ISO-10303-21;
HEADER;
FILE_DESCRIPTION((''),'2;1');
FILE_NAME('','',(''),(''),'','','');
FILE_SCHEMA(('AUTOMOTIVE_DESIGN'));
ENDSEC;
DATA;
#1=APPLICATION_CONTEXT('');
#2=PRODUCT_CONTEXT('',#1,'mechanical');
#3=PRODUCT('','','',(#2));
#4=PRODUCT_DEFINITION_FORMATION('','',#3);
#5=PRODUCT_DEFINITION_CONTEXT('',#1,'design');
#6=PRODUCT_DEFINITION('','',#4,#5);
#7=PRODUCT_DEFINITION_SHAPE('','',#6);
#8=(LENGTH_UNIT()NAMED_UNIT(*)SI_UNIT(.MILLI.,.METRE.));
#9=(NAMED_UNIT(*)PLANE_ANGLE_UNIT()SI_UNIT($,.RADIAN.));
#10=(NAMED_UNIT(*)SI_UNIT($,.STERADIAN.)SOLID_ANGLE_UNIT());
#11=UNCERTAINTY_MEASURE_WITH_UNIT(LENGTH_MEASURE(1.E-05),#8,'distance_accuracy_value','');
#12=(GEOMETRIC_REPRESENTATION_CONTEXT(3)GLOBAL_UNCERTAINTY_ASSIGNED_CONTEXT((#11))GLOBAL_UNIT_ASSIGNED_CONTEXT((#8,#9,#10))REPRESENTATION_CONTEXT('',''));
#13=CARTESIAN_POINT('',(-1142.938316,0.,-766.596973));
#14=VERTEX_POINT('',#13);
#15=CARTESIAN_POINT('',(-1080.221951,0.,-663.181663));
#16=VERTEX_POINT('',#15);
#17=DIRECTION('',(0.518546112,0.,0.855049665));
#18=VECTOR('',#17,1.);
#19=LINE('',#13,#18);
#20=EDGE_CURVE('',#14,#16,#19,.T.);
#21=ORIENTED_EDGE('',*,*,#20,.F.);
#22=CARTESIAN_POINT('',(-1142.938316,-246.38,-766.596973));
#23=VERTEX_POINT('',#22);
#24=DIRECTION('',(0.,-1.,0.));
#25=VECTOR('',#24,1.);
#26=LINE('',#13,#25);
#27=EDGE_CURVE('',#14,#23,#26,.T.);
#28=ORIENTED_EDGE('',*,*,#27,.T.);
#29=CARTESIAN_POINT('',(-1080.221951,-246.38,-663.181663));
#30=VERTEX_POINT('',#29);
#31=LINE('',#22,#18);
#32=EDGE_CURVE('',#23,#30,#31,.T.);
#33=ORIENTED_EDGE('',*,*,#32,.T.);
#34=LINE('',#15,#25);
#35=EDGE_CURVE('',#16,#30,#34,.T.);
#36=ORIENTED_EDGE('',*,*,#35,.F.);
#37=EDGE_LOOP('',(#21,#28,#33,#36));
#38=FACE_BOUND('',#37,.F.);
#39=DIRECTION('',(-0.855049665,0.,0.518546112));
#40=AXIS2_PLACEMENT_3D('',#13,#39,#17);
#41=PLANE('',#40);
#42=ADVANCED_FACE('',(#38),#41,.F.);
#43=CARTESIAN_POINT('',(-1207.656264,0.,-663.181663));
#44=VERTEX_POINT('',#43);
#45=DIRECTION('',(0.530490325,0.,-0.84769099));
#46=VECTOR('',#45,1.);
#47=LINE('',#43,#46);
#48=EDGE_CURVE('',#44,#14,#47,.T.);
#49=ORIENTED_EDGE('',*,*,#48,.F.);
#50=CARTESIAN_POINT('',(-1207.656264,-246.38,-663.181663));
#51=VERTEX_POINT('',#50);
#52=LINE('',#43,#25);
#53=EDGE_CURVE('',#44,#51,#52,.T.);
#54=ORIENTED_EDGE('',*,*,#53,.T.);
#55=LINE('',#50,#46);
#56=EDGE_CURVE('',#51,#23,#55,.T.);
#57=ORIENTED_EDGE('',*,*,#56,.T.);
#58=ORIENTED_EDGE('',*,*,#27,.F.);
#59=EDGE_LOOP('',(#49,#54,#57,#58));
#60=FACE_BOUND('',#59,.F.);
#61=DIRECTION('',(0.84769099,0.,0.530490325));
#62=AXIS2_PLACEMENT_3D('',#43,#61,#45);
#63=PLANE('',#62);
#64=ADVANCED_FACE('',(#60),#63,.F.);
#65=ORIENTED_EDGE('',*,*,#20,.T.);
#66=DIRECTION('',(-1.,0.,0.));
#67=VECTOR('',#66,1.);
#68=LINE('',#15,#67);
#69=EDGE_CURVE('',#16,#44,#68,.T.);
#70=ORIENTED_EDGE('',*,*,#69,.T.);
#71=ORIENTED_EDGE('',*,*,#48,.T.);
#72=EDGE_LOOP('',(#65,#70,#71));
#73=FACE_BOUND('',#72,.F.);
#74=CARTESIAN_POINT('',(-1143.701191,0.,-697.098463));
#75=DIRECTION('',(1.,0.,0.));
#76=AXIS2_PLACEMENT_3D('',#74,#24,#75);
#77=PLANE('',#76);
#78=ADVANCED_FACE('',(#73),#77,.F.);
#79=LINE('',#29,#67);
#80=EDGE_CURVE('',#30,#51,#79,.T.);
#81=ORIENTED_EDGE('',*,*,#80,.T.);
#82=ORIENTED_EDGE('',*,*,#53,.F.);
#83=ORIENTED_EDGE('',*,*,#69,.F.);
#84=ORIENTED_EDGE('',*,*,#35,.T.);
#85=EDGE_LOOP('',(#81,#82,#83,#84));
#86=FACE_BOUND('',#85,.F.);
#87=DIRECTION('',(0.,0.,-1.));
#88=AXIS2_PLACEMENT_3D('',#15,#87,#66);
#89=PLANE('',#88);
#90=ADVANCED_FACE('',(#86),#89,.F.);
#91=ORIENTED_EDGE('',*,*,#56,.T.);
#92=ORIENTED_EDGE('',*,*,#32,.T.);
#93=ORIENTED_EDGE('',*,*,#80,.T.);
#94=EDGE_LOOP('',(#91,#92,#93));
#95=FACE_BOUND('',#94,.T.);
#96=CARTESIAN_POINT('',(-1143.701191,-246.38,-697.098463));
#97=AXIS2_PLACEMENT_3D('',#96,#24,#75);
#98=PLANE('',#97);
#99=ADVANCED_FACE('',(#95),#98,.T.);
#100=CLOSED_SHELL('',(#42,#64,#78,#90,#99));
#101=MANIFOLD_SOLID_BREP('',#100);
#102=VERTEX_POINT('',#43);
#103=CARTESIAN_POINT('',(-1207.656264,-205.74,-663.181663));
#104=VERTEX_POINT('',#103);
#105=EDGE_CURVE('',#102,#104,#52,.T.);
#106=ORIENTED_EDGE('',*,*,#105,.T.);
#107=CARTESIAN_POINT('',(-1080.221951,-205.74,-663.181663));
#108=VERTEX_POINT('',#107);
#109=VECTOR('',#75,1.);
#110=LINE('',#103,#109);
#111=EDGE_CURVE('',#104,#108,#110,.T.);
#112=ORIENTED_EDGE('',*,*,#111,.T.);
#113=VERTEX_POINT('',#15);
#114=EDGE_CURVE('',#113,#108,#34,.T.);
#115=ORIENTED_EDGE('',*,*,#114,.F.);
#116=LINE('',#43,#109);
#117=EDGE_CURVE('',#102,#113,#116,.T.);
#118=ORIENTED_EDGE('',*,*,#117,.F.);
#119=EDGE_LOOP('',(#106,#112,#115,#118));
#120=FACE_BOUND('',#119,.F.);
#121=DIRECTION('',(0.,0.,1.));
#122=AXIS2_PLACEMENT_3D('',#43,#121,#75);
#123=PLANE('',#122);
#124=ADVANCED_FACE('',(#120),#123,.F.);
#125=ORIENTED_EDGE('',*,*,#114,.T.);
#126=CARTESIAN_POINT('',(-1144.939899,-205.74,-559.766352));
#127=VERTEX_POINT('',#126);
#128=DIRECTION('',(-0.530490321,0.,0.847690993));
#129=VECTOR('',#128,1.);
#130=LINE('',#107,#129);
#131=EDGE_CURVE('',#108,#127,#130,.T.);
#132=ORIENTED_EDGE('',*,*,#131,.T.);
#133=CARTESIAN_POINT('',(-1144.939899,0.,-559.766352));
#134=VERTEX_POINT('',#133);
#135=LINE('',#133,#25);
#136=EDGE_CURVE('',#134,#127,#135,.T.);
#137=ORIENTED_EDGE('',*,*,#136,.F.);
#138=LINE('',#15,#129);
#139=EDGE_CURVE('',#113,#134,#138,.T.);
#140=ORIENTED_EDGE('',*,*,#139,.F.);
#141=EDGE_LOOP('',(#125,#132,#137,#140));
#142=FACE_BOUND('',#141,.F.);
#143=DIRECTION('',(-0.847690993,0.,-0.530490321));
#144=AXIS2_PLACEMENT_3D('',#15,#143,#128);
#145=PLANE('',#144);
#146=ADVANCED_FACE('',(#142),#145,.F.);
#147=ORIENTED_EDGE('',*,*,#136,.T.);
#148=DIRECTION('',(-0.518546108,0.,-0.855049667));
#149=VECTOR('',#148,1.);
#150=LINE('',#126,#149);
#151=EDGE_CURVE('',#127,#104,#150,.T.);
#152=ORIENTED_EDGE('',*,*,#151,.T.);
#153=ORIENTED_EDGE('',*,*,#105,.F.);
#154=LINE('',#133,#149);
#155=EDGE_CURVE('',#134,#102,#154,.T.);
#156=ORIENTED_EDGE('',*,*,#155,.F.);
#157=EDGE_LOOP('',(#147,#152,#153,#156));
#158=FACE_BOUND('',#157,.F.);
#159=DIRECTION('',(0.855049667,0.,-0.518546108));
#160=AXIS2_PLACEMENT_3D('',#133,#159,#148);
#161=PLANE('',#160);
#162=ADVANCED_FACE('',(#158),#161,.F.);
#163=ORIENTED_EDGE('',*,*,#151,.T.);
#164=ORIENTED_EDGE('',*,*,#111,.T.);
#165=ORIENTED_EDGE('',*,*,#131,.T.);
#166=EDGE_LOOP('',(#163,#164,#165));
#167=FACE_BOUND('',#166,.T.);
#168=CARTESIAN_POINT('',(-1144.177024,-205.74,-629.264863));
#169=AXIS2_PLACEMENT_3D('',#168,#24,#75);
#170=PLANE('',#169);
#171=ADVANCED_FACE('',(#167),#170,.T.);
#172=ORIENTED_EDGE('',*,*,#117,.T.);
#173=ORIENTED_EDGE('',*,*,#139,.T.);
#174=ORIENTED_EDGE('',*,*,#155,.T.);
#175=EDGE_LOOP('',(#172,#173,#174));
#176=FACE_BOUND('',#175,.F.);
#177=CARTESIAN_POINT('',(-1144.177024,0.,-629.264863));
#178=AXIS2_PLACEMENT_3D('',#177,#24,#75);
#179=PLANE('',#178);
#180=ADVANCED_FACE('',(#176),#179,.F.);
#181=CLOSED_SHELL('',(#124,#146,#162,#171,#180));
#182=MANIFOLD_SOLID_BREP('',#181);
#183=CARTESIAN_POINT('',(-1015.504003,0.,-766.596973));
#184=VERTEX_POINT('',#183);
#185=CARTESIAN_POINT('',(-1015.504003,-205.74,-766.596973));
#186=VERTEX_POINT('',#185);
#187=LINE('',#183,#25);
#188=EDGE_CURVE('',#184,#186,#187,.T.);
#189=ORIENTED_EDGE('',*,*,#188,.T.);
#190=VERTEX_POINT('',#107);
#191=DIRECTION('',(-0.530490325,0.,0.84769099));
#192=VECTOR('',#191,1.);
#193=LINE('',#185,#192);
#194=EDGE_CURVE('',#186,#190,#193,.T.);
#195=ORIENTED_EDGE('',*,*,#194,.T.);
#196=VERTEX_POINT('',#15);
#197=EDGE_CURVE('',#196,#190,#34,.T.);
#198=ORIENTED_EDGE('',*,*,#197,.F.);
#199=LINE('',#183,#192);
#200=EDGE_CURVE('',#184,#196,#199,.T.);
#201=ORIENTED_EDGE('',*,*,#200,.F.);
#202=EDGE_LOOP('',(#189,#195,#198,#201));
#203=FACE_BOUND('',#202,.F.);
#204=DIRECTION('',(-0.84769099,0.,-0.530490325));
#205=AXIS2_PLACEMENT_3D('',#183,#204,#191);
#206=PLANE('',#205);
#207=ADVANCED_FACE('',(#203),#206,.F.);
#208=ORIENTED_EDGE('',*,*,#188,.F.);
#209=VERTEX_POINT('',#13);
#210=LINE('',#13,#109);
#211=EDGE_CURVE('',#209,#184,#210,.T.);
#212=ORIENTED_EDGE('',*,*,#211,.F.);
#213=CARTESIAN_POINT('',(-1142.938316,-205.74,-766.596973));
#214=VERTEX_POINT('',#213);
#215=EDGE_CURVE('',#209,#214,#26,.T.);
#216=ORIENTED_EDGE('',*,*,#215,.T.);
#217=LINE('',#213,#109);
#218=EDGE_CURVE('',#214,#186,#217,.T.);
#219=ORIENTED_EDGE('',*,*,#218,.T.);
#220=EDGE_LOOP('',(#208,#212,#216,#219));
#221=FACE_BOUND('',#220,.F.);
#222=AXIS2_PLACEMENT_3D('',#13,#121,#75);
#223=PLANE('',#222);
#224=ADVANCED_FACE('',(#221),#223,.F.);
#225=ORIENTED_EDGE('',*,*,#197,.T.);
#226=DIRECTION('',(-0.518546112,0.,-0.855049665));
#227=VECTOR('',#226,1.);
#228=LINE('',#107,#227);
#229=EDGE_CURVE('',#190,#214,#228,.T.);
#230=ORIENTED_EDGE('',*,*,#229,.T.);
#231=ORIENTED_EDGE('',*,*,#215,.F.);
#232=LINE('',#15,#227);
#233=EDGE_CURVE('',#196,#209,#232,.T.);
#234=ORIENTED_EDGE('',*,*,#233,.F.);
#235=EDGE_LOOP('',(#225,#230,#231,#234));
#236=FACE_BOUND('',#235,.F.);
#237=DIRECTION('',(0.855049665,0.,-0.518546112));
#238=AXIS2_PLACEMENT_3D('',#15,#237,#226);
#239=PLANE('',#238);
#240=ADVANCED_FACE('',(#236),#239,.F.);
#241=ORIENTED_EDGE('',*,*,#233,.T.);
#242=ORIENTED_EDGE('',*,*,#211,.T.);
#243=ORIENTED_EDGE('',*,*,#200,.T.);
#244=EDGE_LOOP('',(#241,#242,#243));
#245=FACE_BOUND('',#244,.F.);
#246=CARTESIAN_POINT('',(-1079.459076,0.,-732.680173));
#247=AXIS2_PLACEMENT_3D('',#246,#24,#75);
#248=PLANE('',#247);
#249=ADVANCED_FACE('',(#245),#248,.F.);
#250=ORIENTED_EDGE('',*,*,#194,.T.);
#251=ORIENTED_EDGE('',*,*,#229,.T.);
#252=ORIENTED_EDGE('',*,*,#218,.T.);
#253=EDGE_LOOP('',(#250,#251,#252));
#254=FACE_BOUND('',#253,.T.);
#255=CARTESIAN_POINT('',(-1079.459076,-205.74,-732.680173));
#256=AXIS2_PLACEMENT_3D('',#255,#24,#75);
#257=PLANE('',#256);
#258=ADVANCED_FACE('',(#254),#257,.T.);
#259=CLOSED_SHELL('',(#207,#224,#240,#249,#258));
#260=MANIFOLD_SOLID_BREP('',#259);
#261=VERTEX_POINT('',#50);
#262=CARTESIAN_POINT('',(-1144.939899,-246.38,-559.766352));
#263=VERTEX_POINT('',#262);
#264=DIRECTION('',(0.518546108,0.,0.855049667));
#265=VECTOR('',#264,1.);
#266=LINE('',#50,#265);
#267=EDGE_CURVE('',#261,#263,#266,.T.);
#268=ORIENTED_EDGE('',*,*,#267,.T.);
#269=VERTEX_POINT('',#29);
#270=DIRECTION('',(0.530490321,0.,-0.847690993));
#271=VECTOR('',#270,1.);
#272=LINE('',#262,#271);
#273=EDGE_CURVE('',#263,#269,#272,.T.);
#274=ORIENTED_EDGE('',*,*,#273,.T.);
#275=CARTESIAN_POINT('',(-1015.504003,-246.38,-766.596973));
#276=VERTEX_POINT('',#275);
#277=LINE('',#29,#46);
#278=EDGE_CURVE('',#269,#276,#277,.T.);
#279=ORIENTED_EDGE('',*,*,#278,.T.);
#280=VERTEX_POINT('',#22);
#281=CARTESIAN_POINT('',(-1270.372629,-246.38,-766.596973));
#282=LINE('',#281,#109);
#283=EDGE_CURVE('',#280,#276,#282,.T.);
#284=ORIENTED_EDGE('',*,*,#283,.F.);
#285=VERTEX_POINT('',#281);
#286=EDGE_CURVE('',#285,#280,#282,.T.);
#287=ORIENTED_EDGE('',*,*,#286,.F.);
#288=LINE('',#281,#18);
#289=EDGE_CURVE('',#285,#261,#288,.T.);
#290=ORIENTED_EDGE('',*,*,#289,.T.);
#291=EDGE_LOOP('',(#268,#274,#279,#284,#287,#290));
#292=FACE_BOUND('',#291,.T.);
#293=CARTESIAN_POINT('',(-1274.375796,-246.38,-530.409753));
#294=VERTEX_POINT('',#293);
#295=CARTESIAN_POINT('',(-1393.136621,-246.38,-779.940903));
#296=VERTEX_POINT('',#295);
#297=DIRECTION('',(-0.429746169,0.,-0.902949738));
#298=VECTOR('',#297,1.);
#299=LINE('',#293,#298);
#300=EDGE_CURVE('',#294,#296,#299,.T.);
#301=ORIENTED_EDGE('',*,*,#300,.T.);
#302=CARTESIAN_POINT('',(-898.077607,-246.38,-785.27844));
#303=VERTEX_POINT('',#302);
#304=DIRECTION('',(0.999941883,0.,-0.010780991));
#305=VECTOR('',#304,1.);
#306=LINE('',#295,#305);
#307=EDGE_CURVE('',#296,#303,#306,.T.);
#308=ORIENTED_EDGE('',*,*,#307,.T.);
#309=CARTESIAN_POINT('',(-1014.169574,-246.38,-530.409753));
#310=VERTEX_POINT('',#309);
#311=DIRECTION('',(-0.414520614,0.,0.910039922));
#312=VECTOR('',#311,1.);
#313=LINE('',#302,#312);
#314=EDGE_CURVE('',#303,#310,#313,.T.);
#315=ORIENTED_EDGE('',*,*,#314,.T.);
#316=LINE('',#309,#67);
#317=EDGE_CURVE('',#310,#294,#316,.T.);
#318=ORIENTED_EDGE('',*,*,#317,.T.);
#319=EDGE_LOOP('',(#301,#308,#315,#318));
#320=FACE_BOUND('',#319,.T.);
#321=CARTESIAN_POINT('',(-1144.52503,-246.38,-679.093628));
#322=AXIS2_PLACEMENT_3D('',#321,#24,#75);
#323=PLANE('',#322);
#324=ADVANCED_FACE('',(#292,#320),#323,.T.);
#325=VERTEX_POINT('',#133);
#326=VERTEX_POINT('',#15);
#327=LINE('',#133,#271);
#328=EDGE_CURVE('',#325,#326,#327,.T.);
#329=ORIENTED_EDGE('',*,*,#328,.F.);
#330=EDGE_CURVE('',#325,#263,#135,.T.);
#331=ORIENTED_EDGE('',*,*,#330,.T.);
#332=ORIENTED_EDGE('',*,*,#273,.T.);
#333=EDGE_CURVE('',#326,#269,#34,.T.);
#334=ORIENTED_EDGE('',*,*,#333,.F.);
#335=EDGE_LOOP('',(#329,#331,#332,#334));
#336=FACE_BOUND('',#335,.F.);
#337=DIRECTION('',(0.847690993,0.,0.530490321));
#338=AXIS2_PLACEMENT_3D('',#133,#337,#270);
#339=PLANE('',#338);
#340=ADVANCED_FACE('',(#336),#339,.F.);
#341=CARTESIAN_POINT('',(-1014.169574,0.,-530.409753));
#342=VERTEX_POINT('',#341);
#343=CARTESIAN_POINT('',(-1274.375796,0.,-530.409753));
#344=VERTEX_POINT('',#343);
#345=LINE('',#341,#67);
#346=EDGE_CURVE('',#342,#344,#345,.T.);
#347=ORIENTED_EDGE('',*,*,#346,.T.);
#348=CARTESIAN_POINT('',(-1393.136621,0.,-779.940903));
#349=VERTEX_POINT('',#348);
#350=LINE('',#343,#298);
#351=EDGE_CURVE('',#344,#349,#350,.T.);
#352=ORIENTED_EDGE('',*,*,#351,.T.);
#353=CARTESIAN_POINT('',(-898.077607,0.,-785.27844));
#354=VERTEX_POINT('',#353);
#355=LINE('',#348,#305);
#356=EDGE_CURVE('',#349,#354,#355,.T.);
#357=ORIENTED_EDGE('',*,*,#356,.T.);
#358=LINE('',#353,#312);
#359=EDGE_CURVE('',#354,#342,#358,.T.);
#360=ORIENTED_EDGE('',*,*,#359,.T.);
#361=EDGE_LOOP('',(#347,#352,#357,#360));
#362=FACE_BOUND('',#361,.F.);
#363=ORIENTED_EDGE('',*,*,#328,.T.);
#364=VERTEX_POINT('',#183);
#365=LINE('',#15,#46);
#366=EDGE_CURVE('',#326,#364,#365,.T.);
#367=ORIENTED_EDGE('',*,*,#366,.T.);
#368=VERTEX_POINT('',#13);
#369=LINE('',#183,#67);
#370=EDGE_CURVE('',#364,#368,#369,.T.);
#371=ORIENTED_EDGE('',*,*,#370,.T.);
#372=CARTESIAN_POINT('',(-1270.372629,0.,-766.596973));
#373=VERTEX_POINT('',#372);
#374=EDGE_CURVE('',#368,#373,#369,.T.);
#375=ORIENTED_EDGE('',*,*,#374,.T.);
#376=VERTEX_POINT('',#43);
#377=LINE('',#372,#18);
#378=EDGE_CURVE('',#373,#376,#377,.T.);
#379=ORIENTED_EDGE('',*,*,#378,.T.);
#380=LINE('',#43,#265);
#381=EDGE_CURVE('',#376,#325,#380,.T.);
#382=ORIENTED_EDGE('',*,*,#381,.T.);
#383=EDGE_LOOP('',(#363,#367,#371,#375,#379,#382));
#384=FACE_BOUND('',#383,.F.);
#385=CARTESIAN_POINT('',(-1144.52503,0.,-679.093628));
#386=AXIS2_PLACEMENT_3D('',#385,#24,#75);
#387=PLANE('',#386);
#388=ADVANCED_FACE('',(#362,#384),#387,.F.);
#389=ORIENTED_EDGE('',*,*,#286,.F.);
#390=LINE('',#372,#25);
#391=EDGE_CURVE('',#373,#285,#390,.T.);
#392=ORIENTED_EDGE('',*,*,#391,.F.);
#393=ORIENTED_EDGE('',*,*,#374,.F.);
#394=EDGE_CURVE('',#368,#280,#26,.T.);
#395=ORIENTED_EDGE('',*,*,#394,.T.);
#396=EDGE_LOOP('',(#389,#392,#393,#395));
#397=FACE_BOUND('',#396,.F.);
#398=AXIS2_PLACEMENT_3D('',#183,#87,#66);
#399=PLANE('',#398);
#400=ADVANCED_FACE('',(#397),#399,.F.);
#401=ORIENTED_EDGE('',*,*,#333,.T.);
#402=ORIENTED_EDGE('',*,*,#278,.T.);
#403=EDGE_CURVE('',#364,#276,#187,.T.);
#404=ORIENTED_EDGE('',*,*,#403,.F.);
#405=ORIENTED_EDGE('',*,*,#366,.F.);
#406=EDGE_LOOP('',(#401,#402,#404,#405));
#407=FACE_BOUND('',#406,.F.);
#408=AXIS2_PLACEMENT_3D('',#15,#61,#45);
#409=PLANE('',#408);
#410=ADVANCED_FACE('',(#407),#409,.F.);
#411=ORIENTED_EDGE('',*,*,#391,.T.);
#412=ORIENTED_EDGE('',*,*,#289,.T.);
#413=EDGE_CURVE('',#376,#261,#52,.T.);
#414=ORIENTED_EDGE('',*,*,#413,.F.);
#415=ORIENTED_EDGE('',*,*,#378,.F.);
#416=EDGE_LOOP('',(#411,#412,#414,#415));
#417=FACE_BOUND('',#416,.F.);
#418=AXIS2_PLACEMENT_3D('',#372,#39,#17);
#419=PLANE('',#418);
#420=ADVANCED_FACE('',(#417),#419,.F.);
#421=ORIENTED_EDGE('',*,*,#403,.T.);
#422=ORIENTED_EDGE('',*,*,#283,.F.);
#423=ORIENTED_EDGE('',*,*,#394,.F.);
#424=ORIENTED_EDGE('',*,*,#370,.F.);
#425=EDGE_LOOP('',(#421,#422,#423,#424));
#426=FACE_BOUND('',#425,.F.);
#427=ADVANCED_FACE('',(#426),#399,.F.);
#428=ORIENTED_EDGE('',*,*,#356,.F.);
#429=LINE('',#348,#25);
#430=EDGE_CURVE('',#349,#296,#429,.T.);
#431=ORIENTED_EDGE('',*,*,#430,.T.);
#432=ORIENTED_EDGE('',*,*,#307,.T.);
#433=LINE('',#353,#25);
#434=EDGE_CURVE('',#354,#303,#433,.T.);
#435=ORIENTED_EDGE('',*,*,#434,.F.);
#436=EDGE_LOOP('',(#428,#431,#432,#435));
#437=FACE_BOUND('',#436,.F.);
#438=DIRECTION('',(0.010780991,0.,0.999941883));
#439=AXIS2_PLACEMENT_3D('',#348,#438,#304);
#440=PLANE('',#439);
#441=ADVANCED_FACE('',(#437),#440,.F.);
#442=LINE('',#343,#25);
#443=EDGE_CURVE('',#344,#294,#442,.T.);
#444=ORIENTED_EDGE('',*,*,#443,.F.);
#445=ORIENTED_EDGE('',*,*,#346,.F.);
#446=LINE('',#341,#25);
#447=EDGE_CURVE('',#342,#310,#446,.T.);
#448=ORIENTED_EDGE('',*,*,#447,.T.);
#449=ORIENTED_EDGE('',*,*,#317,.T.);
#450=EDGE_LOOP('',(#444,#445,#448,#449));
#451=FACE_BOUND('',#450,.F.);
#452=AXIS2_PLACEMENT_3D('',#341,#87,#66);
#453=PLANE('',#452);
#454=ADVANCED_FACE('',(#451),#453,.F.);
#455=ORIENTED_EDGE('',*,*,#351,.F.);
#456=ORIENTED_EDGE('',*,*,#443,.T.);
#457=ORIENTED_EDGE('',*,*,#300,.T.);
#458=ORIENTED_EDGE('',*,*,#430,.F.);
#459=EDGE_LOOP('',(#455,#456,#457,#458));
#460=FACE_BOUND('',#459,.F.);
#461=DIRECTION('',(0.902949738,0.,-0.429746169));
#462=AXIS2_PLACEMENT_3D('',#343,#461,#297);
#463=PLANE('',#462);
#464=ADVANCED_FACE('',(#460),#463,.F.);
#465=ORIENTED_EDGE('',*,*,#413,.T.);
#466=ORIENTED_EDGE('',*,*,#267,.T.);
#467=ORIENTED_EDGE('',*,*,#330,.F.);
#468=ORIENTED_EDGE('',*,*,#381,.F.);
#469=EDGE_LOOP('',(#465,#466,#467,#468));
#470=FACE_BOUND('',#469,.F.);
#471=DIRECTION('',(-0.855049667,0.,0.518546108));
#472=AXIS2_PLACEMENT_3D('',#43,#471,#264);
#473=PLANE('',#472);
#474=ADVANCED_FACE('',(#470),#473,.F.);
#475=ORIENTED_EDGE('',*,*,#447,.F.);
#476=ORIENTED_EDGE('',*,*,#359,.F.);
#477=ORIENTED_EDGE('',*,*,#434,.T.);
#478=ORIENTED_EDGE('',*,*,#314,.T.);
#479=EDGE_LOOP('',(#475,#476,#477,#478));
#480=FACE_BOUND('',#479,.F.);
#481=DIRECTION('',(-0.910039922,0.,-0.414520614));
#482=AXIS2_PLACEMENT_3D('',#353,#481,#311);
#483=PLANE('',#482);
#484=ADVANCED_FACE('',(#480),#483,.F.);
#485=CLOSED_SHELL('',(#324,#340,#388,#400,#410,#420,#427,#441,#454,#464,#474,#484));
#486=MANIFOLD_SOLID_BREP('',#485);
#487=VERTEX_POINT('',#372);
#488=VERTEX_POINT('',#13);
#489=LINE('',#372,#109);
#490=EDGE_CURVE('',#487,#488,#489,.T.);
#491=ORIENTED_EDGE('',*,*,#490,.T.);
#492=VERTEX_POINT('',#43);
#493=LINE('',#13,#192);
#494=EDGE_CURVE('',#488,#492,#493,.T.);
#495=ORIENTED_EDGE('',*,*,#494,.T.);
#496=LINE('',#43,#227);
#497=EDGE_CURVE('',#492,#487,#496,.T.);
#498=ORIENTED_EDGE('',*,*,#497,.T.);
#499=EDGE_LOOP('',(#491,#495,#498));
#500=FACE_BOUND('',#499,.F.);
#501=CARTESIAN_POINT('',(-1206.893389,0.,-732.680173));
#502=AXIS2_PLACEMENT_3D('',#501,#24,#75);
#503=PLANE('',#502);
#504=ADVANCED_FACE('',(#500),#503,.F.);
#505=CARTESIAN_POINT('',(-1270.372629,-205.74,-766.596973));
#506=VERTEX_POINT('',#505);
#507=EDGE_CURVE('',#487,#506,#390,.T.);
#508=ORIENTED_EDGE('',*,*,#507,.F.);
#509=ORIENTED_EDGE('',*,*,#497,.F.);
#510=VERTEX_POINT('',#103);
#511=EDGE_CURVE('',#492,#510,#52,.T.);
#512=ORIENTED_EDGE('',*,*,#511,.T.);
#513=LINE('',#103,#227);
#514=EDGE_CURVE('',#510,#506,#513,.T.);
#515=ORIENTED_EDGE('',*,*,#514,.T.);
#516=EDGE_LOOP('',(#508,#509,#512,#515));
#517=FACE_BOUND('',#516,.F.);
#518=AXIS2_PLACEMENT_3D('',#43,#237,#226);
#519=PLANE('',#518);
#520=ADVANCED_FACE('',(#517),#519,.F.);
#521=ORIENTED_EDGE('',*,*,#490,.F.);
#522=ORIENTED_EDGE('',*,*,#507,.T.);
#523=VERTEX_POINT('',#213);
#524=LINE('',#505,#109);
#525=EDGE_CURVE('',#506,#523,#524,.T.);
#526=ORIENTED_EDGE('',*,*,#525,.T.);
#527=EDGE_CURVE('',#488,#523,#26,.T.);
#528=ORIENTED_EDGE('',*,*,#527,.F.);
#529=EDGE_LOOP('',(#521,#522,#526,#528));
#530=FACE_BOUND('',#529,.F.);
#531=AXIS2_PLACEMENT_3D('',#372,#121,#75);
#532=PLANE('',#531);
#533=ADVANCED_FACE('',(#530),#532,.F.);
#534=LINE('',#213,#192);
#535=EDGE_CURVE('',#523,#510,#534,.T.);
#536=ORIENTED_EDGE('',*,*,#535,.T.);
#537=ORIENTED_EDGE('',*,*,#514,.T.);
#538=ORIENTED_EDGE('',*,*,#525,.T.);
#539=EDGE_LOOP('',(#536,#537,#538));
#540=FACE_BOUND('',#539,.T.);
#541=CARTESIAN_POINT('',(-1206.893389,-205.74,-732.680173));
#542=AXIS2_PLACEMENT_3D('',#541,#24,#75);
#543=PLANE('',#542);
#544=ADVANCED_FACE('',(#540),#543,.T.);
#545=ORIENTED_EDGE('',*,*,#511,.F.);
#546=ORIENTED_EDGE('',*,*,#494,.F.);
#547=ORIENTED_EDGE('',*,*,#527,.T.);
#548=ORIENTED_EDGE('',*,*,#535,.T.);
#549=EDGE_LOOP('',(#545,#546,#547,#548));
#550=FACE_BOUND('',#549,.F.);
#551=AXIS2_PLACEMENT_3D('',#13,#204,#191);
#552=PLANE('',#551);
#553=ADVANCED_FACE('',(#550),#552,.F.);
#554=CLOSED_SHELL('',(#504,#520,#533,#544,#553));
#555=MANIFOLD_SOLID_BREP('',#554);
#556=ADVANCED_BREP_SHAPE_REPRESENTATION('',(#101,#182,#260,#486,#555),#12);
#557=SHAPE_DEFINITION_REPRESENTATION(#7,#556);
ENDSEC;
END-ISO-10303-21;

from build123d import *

# Parameters (mm, degrees)
F1_DEPTH = 246.38
F2_DEPTH = 205.74


with BuildPart() as f1:
    # F0 (on Front) → F1 (new body)
    with BuildSketch(Plane.XZ):
        Polygon((-1274.375796, -530.409753), (-1393.136621, -779.940903), (-898.077607, -785.27844), (-1014.169574, -530.409753), align=None)
        Polygon((-1142.938316, -766.596973), (-1270.372629, -766.596973), (-1207.656264, -663.181663), (-1144.939899, -559.766352), (-1080.221951, -663.181663), (-1015.504003, -766.596973), align=None, mode=Mode.SUBTRACT)
        Polygon((-1080.221951, -663.181663), (-1207.656264, -663.181663), (-1142.938316, -766.596973), align=None)
    extrude(amount=F1_DEPTH)


with BuildPart() as f2:
    # F0 (on Front) → F2 (new body)
    with BuildSketch(Plane.XZ):
        Polygon((-1144.939899, -559.766352), (-1207.656264, -663.181663), (-1080.221951, -663.181663), align=None)
        Polygon((-1080.221951, -663.181663), (-1142.938316, -766.596973), (-1015.504003, -766.596973), align=None)
        Polygon((-1207.656264, -663.181663), (-1270.372629, -766.596973), (-1142.938316, -766.596973), align=None)
    extrude(amount=F2_DEPTH)


solid = Compound([f1.part, f2.part])
